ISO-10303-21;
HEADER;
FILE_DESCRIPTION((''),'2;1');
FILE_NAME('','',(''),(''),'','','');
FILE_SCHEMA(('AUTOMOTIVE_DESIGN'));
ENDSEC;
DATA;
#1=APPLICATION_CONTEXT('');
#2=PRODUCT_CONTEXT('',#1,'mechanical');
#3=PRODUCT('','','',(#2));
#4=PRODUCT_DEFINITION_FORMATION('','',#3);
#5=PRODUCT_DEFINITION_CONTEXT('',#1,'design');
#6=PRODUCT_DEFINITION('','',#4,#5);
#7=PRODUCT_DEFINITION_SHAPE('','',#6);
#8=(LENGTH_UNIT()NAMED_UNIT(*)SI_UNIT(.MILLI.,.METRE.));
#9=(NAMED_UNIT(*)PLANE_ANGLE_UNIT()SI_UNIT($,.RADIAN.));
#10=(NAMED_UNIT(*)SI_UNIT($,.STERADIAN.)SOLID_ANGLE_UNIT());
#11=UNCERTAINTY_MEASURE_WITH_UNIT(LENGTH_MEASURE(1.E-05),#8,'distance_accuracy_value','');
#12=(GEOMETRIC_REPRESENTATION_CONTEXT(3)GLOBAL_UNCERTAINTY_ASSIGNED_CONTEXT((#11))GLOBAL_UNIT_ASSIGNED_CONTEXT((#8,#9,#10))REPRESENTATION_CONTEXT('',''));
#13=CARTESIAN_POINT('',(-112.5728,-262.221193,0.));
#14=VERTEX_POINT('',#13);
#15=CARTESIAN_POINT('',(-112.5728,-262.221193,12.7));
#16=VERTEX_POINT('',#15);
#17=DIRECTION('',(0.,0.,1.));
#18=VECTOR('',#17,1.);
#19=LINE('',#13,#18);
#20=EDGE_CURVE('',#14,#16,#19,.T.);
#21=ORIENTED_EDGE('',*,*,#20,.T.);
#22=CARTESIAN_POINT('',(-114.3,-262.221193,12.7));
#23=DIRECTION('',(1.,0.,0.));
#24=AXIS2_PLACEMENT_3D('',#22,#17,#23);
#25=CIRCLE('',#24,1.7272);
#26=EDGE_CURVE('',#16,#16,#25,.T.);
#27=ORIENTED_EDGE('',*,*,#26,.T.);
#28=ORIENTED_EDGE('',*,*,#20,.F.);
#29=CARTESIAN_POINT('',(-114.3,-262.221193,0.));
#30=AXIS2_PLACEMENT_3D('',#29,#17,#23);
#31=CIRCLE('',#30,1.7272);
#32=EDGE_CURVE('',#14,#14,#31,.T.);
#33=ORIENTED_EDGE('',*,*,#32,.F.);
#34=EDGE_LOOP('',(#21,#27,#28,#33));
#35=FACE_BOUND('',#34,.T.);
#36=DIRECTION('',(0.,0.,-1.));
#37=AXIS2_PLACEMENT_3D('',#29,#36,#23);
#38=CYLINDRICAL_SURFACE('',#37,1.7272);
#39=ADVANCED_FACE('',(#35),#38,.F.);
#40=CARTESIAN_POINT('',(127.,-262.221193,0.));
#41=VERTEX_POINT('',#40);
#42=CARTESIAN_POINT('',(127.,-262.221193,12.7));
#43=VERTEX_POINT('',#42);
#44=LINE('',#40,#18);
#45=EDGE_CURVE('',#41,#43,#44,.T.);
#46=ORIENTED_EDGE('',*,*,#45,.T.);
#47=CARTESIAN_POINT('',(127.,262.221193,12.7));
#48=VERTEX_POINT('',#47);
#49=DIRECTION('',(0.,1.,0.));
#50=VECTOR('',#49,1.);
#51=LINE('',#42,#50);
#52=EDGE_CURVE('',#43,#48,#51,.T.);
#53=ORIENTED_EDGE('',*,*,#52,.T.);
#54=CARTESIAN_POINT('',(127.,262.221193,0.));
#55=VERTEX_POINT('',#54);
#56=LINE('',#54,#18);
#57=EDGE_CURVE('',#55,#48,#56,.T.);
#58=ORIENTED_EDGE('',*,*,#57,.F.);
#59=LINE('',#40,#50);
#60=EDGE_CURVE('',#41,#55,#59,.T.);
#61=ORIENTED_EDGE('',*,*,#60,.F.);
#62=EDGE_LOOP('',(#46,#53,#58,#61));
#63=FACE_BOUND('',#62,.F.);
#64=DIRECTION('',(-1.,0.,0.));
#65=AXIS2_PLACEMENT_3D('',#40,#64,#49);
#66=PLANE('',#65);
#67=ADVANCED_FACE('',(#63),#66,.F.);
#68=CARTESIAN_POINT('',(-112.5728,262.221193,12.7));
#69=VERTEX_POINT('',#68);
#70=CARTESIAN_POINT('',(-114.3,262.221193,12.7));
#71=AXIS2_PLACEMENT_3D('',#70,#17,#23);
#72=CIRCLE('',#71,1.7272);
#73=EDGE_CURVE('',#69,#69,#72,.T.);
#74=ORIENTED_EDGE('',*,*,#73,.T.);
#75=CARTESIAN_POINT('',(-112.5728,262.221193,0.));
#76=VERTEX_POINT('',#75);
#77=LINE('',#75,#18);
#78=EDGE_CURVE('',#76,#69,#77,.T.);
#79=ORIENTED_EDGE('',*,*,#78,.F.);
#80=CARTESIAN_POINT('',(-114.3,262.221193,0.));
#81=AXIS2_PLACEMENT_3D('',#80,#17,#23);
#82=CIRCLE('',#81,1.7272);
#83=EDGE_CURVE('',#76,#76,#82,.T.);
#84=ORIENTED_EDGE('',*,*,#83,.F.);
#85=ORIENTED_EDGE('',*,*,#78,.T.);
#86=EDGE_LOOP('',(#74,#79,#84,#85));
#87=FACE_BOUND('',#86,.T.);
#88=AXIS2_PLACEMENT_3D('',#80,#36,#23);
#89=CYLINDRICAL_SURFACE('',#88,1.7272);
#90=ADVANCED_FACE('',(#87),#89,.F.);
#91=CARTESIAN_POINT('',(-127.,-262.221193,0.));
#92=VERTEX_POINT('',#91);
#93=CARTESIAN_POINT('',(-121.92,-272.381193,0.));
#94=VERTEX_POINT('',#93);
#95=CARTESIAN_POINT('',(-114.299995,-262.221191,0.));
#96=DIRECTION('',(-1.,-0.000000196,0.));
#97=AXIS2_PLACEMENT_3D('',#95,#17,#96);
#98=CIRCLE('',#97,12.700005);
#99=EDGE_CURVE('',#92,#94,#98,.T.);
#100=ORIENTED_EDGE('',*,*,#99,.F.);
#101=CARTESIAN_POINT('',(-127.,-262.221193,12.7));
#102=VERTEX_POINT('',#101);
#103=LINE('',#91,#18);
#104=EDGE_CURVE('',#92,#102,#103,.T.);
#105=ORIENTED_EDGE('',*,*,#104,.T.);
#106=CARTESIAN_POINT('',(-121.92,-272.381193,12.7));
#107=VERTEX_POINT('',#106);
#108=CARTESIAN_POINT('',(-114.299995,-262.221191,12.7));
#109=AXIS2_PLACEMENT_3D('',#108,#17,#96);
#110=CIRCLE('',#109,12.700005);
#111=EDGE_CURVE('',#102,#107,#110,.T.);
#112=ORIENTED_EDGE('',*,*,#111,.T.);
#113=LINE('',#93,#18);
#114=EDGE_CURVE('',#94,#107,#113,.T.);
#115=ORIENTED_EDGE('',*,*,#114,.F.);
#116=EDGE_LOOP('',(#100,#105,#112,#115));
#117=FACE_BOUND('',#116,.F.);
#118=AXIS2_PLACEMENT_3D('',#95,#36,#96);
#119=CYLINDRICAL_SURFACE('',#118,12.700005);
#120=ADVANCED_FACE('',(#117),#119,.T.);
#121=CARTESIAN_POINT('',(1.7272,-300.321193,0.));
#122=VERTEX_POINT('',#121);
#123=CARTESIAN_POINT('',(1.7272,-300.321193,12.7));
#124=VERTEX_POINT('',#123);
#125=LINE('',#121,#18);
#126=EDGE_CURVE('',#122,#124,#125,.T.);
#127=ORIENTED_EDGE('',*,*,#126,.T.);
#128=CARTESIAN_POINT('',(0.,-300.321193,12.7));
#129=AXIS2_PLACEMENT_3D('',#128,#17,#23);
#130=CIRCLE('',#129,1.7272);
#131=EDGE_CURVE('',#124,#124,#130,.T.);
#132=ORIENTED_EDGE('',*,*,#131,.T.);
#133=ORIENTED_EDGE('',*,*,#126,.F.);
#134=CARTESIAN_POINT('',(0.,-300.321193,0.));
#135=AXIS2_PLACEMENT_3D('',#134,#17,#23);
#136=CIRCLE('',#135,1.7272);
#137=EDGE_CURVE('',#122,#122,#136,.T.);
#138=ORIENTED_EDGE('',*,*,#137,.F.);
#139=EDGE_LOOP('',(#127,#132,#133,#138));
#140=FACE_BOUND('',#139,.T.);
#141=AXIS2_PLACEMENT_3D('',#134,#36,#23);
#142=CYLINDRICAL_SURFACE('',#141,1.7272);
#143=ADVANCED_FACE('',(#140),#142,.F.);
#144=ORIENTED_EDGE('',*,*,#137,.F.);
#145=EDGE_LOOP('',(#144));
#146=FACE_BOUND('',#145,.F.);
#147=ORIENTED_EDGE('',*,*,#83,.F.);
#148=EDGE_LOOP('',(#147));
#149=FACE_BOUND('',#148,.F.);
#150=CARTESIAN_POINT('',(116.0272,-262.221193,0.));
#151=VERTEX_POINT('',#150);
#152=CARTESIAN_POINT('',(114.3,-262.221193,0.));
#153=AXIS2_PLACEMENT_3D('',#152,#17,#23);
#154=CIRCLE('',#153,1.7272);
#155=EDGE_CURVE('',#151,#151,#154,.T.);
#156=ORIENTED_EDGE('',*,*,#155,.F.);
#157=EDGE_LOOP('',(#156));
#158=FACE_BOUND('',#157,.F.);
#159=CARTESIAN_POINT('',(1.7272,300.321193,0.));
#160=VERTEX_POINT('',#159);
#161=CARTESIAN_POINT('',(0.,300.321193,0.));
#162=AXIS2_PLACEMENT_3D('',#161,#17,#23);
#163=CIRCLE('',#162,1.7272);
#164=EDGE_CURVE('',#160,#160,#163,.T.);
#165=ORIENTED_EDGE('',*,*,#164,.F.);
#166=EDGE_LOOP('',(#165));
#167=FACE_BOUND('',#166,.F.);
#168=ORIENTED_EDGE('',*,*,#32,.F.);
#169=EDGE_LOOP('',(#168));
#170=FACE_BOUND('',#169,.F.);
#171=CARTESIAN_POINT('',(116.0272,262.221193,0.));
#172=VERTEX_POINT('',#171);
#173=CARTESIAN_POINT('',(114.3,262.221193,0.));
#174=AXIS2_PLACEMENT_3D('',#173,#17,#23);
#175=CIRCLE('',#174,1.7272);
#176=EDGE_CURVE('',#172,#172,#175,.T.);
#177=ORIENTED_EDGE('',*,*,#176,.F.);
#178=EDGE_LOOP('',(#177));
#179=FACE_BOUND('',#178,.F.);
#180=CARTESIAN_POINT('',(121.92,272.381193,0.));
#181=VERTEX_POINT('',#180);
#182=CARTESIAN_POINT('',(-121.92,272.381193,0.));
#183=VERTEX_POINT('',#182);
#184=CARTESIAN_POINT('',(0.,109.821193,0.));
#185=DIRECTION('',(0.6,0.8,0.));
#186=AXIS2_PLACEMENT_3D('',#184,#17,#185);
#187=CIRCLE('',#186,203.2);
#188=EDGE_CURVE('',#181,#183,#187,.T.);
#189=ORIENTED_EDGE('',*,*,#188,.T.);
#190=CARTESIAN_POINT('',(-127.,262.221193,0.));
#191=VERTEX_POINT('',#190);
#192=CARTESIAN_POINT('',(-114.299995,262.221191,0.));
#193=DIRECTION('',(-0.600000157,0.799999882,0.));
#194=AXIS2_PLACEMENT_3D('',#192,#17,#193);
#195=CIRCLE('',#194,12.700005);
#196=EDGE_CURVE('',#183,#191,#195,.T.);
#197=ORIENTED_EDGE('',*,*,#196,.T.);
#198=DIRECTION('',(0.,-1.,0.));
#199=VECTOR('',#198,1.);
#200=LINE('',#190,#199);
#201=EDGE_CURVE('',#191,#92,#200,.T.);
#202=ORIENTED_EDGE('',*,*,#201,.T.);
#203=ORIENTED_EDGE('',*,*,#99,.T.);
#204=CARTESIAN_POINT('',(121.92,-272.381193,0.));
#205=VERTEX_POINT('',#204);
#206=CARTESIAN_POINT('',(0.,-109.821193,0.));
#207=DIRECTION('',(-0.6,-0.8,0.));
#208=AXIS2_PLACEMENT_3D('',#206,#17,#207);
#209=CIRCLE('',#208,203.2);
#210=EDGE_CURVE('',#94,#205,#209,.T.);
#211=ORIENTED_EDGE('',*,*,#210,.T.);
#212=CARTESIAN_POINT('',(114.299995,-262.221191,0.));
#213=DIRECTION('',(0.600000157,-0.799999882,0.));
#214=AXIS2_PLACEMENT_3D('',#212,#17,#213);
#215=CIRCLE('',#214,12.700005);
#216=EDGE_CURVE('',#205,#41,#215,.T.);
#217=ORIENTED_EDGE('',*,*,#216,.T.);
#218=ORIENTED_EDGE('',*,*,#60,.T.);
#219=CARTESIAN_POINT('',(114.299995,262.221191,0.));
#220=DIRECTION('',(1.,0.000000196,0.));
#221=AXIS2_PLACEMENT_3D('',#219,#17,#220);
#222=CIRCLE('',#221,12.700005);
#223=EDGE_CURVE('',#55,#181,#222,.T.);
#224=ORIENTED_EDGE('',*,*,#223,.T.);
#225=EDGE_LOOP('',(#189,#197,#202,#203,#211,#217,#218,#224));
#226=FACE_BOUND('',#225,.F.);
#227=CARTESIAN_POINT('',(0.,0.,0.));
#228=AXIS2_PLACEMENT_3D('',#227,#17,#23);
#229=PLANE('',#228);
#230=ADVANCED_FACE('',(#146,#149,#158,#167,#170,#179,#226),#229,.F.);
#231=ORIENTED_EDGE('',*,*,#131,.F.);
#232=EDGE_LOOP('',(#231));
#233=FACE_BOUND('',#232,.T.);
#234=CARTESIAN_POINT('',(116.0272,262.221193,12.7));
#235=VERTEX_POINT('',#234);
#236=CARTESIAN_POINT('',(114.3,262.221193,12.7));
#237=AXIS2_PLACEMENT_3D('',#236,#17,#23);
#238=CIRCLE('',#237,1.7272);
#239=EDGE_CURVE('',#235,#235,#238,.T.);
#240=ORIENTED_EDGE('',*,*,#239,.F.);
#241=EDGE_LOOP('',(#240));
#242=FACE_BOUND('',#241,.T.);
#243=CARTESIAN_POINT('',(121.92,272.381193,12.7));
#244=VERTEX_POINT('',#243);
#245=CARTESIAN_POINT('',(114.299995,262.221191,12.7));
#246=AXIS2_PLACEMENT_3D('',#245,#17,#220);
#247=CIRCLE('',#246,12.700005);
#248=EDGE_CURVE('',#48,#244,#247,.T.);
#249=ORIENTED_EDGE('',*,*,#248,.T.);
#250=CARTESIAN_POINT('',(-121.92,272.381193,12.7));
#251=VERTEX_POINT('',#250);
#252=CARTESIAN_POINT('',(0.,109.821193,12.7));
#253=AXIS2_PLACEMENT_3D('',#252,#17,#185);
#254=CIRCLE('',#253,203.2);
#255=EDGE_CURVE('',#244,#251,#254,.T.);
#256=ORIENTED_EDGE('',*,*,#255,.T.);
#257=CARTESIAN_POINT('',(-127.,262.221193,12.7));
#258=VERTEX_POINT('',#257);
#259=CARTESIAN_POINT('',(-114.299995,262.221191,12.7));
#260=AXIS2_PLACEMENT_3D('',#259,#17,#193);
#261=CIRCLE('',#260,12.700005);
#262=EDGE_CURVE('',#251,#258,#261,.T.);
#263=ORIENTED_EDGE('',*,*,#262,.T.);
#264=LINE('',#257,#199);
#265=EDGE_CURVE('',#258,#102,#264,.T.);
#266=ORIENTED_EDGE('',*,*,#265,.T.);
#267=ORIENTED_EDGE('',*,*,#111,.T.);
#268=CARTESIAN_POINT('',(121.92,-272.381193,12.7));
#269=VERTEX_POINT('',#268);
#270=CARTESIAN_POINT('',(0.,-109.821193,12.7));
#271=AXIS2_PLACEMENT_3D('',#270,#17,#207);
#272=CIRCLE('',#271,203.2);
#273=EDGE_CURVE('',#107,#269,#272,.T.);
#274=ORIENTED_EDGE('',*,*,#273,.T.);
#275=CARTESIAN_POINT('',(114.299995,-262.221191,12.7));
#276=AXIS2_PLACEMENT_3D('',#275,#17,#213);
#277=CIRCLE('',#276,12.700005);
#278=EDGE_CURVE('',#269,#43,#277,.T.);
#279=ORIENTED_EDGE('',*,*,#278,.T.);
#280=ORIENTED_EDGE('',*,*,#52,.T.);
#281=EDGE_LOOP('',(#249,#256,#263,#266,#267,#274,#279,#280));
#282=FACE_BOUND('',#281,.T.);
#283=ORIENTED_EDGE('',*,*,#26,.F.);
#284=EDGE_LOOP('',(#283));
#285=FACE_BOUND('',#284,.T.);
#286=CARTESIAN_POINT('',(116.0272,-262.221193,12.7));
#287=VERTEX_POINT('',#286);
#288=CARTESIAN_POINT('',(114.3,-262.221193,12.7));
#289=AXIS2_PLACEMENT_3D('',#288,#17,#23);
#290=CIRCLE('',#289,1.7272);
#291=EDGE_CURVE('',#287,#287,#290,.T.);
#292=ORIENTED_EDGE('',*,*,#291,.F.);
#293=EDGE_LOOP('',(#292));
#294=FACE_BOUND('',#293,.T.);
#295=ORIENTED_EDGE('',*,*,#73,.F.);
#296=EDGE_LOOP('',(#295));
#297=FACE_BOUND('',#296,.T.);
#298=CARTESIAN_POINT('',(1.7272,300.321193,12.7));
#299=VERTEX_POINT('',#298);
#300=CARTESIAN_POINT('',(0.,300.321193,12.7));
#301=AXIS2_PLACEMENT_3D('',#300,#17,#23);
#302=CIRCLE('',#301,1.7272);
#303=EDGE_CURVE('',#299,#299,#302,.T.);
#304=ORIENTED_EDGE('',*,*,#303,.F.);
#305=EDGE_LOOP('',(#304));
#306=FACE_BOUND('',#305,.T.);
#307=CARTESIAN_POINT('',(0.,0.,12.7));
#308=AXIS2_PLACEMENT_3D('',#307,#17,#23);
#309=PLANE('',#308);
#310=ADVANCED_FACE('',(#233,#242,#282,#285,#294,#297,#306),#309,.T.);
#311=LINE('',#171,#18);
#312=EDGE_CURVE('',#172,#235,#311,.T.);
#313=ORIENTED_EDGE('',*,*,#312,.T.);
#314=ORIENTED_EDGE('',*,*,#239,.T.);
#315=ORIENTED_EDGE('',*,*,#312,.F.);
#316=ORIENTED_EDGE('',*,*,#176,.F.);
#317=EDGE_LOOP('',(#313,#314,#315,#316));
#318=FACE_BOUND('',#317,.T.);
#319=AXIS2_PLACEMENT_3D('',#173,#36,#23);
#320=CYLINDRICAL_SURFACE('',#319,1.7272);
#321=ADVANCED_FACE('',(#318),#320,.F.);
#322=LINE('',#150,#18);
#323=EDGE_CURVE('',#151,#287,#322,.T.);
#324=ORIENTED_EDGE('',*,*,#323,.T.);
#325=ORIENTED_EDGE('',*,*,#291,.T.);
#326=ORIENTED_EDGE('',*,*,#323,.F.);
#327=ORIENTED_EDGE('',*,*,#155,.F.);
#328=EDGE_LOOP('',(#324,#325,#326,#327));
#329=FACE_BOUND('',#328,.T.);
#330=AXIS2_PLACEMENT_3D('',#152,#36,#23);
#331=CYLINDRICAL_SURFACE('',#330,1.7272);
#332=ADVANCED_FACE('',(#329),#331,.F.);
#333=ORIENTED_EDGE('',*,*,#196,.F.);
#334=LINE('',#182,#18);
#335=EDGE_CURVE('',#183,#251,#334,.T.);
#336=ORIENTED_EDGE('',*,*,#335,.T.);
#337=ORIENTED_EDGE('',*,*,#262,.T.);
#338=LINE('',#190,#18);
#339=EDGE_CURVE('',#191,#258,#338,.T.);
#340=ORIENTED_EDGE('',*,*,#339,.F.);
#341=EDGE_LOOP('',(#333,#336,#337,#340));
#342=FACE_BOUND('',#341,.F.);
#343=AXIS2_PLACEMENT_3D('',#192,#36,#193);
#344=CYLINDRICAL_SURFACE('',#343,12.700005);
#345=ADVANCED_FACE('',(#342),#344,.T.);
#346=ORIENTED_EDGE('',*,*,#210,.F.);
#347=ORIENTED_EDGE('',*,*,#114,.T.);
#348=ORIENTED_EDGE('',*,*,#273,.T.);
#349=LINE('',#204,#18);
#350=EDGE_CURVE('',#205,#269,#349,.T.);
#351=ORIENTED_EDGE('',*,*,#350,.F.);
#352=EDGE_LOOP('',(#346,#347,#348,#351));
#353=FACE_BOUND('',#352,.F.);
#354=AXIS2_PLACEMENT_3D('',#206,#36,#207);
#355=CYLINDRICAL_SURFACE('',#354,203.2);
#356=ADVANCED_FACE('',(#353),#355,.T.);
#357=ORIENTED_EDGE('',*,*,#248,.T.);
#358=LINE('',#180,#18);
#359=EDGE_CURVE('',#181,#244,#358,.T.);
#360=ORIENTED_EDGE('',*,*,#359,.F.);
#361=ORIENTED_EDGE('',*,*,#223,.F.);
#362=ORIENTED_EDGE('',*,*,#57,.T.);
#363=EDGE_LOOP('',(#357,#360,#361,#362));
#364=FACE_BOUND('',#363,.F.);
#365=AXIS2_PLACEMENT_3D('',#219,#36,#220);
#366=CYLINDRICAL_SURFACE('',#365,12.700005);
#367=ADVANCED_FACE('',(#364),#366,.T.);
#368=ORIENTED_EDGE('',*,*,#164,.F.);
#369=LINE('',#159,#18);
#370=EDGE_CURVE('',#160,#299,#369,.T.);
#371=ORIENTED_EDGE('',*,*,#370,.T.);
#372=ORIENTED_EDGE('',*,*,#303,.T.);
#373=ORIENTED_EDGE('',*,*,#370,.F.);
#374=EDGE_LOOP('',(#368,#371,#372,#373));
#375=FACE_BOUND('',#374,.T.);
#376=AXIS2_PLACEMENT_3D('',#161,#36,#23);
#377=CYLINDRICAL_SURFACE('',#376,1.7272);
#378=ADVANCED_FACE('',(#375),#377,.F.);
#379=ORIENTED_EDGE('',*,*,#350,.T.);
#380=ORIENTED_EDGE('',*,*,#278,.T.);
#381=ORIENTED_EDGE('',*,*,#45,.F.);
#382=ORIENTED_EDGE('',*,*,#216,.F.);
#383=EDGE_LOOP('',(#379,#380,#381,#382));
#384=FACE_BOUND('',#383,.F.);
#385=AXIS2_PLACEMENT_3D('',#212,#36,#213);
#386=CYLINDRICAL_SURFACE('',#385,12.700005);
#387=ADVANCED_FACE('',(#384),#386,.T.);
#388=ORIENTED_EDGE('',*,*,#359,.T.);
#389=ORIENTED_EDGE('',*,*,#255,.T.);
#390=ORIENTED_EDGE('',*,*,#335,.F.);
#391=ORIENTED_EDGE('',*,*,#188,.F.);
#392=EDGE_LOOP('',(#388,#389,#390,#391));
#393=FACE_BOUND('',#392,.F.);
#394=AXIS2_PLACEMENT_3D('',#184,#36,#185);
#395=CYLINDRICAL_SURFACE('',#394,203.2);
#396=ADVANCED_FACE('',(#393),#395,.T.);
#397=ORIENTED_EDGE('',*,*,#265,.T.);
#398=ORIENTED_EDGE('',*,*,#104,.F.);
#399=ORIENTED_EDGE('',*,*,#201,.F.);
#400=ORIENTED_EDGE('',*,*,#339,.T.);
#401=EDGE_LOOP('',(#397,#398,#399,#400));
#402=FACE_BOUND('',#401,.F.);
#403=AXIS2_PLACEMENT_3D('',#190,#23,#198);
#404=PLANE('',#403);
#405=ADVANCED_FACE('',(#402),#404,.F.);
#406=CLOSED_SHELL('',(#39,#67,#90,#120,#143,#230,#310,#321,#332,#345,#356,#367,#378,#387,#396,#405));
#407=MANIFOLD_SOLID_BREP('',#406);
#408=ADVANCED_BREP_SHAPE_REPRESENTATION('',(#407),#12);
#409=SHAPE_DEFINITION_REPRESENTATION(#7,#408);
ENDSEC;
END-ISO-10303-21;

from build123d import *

# Parameters (mm, degrees)
F0_R     = 1.7272
F1_DEPTH = 12.7


with BuildPart() as f1:
    # F0 (on Top) → F1 (new body)
    with BuildSketch(Plane.XY):
        with BuildLine():
            Line((127, -262.221193), (127, 262.221193))
            ThreePointArc((127, 262.221193), (125.659225, 267.900805), (121.92, 272.381193))
            ThreePointArc((121.92, 272.381193), (0, 313.021193), (-121.92, 272.381193))
            ThreePointArc((-121.92, 272.381193), (-125.659225, 267.900805), (-127, 262.221193))
            Line((-127, 262.221193), (-127, -262.221193))
            ThreePointArc((-127, -262.221193), (-125.659225, -267.900805), (-121.92, -272.381193))
            ThreePointArc((-121.92, -272.381193), (0, -313.021193), (121.92, -272.381193))
            ThreePointArc((121.92, -272.381193), (125.659225, -267.900805), (127, -262.221193))
        make_face()
        with Locations((-114.3, -262.221193)):
            Circle(F0_R, mode=Mode.SUBTRACT)
        with Locations((0, -300.321193)):
            Circle(F0_R, mode=Mode.SUBTRACT)
        with Locations((114.3, -262.221193)):
            Circle(F0_R, mode=Mode.SUBTRACT)
        with Locations((-114.3, 262.221193)):
            Circle(F0_R, mode=Mode.SUBTRACT)
        with Locations((0, 300.321193)):
            Circle(F0_R, mode=Mode.SUBTRACT)
        with Locations((114.3, 262.221193)):
            Circle(F0_R, mode=Mode.SUBTRACT)
    extrude(amount=F1_DEPTH)


solid = f1.part
